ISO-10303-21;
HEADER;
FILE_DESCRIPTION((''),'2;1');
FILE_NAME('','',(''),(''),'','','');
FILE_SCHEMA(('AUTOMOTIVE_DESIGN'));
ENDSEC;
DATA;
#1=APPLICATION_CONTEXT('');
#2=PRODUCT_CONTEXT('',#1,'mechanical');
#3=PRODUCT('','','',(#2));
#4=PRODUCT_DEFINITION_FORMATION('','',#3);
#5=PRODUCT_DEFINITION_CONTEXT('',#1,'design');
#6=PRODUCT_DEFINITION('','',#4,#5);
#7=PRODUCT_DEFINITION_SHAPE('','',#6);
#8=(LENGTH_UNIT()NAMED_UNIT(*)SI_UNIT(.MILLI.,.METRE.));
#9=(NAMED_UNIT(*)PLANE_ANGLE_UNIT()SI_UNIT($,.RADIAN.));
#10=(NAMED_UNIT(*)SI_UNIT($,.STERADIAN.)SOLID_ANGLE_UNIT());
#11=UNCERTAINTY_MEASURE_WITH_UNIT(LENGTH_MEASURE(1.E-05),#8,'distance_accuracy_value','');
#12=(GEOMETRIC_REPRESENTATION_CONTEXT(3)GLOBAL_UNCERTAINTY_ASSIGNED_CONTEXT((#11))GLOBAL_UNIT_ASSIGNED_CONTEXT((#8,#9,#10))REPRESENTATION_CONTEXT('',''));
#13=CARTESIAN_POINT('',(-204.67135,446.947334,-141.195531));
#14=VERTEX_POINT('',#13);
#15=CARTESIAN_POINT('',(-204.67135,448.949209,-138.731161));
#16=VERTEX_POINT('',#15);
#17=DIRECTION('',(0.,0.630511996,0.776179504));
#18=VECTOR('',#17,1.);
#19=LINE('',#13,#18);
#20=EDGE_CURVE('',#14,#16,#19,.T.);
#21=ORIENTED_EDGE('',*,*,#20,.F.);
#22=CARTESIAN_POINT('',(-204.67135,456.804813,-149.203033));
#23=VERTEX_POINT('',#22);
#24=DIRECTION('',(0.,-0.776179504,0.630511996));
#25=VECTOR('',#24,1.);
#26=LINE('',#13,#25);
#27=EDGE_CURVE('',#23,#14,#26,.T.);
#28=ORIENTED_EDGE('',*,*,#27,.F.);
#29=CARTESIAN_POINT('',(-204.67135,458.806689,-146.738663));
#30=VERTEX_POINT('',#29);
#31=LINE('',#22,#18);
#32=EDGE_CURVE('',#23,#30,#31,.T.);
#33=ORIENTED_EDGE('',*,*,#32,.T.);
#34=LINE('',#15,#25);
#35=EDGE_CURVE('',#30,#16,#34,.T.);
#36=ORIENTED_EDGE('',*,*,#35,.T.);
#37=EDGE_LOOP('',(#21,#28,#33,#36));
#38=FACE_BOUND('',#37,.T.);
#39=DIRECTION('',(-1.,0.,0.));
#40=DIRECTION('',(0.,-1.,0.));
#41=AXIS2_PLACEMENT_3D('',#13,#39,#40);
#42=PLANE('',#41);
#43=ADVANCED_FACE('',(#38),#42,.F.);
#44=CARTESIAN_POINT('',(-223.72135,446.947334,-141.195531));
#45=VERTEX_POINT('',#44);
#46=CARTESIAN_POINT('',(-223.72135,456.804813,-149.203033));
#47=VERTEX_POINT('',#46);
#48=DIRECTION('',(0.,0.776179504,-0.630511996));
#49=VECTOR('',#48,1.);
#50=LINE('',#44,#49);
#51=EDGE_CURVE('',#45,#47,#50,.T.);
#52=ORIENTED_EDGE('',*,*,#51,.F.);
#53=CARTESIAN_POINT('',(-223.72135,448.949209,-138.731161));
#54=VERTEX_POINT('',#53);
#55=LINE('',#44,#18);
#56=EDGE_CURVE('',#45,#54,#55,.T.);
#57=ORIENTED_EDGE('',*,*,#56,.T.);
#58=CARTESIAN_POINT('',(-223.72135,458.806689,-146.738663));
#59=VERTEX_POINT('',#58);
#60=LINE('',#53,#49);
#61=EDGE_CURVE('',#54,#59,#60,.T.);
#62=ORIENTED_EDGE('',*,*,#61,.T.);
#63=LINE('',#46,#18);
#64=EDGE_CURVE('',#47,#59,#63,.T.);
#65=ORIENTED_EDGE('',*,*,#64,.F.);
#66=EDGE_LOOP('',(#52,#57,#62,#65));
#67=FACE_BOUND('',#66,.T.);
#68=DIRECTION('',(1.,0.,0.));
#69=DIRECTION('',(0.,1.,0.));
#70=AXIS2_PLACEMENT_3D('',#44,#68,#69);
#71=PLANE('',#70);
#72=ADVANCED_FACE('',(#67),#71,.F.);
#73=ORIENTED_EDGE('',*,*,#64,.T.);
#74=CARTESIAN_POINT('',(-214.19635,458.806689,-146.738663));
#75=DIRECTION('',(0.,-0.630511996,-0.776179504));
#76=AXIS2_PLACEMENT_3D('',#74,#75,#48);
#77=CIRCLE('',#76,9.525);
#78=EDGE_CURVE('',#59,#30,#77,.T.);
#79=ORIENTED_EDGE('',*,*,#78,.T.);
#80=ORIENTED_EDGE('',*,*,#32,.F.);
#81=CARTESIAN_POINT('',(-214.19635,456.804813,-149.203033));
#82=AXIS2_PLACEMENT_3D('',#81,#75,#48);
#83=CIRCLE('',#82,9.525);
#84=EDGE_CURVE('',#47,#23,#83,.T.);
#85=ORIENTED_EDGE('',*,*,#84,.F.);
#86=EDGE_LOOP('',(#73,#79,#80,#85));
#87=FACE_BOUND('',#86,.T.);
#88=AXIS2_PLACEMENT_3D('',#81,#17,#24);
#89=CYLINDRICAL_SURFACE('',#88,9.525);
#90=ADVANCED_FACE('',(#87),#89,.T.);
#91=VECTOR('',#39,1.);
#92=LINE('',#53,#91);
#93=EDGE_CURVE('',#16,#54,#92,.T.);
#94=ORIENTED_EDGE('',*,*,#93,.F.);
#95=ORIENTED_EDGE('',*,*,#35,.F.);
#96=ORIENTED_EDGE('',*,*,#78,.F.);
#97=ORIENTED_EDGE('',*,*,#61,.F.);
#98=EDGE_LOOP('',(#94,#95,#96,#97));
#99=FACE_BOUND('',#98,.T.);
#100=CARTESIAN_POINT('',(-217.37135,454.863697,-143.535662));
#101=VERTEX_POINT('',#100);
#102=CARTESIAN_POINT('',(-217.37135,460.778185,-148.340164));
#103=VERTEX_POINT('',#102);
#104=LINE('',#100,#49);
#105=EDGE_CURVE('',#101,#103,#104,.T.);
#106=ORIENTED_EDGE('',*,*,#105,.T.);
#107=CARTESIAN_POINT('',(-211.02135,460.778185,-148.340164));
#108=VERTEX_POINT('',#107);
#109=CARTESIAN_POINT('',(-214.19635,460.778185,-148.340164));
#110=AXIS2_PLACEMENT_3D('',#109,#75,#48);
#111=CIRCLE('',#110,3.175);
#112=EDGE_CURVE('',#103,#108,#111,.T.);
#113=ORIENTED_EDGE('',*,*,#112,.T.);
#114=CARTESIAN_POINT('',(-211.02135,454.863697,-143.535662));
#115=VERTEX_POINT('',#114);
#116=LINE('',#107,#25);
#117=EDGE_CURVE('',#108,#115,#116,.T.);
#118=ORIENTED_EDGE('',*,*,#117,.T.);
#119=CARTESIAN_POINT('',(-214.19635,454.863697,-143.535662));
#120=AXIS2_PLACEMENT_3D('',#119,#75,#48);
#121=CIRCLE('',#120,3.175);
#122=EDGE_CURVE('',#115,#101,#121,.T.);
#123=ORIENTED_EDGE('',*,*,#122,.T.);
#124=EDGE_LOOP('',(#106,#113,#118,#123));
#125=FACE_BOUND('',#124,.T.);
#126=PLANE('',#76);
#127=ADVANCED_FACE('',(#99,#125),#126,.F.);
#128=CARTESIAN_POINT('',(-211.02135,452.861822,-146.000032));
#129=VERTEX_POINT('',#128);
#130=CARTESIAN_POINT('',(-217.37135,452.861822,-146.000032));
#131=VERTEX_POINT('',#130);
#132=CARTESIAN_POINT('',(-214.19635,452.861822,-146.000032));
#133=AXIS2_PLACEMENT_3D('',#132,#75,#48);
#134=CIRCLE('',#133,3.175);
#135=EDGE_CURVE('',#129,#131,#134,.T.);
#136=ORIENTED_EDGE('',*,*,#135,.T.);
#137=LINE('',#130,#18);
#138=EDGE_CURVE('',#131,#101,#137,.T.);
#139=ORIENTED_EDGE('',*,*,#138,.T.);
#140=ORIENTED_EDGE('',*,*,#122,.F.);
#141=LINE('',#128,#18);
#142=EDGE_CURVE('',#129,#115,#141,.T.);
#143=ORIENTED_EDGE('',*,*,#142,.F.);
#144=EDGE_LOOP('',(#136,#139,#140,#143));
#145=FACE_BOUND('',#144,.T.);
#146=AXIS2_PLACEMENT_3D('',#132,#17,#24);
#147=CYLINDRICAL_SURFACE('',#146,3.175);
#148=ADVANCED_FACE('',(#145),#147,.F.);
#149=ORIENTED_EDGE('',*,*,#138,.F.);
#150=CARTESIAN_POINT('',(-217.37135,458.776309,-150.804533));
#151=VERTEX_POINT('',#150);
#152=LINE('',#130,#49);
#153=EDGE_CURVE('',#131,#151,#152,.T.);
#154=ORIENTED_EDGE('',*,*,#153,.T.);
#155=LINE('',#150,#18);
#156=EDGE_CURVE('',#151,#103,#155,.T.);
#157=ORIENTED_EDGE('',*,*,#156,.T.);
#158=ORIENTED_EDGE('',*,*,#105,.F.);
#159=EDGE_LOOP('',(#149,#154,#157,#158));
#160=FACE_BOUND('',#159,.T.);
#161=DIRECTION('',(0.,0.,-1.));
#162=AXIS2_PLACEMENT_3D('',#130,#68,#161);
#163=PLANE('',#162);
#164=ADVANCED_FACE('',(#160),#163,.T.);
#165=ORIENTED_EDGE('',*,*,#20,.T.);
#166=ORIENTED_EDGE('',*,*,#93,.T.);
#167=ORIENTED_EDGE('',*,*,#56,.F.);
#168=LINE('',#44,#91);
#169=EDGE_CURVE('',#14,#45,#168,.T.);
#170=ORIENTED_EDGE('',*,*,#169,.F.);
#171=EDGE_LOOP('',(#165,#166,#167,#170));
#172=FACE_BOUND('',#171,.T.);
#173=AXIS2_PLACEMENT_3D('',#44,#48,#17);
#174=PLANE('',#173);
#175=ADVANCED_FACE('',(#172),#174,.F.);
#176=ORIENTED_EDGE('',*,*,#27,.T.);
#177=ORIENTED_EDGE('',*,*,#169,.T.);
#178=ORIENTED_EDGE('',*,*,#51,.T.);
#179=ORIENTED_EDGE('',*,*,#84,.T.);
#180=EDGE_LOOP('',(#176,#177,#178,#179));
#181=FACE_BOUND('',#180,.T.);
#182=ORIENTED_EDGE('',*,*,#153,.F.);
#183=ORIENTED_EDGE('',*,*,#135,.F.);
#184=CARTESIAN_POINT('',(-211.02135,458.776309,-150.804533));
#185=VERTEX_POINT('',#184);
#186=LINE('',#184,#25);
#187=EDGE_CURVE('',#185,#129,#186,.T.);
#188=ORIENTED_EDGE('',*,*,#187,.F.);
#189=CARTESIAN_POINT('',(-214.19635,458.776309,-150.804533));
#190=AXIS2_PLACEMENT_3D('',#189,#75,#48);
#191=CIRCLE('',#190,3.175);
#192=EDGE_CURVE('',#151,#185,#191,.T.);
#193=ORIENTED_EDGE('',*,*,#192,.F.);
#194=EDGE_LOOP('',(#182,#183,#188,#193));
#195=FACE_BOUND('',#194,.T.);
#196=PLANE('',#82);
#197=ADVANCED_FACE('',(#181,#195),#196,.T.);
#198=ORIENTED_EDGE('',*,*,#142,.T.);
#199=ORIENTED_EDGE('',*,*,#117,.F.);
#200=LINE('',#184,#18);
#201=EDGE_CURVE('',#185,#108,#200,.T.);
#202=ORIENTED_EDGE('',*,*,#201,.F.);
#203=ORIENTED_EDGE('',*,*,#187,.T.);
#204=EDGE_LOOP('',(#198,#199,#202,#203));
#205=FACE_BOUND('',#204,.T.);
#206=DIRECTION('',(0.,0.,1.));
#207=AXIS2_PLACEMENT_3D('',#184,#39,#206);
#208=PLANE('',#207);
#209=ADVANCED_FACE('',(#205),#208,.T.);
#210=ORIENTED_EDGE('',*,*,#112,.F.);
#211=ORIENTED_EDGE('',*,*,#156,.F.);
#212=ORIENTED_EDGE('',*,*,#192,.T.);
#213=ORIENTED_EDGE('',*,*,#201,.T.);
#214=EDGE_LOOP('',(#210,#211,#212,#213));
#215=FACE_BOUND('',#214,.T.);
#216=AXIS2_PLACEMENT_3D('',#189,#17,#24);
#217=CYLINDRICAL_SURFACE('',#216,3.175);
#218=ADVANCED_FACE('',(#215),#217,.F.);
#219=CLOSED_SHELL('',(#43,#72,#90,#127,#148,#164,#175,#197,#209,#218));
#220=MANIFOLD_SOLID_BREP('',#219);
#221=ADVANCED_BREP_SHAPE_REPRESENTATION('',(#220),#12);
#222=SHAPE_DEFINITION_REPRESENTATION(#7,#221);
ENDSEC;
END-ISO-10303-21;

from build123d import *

# Parameters (mm, degrees)
BOSS_EXTRUDE1_DEPTH = 3.175


with BuildPart() as part:
    # Sketch1 → Boss-Extrude1 (new body)
    with BuildSketch(Plane(origin=(0, 861.782639484, -474.087130342), x_dir=(1, 0, 0), z_dir=(0, -0.6305119962615922, -0.7761795040905306))):
        with BuildLine():
            Line((-223.72134979, 531.878808959), (-204.67134979, 531.878808959))
            Line((-204.67134979, 531.878808959), (-204.67134979, 519.178808959))
            ThreePointArc((-204.67134979, 519.178808959), (-214.19634979, 509.653808959), (-223.72134979, 519.178808959))
            Line((-223.72134979, 519.178808959), (-223.72134979, 531.878808959))
        make_face()
        with BuildLine():
            Line((-211.02134979, 516.638808959), (-211.02134979, 524.258808959))
            ThreePointArc((-211.02134979, 524.258808959), (-214.19634979, 527.433808959), (-217.37134979, 524.258808959))
            Line((-217.37134979, 524.258808959), (-217.37134979, 516.638808959))
            ThreePointArc((-217.37134979, 516.638808959), (-214.19634979, 513.463808959), (-211.02134979, 516.638808959))
        make_face(mode=Mode.SUBTRACT)
    extrude(amount=BOSS_EXTRUDE1_DEPTH)


solid = part.part
